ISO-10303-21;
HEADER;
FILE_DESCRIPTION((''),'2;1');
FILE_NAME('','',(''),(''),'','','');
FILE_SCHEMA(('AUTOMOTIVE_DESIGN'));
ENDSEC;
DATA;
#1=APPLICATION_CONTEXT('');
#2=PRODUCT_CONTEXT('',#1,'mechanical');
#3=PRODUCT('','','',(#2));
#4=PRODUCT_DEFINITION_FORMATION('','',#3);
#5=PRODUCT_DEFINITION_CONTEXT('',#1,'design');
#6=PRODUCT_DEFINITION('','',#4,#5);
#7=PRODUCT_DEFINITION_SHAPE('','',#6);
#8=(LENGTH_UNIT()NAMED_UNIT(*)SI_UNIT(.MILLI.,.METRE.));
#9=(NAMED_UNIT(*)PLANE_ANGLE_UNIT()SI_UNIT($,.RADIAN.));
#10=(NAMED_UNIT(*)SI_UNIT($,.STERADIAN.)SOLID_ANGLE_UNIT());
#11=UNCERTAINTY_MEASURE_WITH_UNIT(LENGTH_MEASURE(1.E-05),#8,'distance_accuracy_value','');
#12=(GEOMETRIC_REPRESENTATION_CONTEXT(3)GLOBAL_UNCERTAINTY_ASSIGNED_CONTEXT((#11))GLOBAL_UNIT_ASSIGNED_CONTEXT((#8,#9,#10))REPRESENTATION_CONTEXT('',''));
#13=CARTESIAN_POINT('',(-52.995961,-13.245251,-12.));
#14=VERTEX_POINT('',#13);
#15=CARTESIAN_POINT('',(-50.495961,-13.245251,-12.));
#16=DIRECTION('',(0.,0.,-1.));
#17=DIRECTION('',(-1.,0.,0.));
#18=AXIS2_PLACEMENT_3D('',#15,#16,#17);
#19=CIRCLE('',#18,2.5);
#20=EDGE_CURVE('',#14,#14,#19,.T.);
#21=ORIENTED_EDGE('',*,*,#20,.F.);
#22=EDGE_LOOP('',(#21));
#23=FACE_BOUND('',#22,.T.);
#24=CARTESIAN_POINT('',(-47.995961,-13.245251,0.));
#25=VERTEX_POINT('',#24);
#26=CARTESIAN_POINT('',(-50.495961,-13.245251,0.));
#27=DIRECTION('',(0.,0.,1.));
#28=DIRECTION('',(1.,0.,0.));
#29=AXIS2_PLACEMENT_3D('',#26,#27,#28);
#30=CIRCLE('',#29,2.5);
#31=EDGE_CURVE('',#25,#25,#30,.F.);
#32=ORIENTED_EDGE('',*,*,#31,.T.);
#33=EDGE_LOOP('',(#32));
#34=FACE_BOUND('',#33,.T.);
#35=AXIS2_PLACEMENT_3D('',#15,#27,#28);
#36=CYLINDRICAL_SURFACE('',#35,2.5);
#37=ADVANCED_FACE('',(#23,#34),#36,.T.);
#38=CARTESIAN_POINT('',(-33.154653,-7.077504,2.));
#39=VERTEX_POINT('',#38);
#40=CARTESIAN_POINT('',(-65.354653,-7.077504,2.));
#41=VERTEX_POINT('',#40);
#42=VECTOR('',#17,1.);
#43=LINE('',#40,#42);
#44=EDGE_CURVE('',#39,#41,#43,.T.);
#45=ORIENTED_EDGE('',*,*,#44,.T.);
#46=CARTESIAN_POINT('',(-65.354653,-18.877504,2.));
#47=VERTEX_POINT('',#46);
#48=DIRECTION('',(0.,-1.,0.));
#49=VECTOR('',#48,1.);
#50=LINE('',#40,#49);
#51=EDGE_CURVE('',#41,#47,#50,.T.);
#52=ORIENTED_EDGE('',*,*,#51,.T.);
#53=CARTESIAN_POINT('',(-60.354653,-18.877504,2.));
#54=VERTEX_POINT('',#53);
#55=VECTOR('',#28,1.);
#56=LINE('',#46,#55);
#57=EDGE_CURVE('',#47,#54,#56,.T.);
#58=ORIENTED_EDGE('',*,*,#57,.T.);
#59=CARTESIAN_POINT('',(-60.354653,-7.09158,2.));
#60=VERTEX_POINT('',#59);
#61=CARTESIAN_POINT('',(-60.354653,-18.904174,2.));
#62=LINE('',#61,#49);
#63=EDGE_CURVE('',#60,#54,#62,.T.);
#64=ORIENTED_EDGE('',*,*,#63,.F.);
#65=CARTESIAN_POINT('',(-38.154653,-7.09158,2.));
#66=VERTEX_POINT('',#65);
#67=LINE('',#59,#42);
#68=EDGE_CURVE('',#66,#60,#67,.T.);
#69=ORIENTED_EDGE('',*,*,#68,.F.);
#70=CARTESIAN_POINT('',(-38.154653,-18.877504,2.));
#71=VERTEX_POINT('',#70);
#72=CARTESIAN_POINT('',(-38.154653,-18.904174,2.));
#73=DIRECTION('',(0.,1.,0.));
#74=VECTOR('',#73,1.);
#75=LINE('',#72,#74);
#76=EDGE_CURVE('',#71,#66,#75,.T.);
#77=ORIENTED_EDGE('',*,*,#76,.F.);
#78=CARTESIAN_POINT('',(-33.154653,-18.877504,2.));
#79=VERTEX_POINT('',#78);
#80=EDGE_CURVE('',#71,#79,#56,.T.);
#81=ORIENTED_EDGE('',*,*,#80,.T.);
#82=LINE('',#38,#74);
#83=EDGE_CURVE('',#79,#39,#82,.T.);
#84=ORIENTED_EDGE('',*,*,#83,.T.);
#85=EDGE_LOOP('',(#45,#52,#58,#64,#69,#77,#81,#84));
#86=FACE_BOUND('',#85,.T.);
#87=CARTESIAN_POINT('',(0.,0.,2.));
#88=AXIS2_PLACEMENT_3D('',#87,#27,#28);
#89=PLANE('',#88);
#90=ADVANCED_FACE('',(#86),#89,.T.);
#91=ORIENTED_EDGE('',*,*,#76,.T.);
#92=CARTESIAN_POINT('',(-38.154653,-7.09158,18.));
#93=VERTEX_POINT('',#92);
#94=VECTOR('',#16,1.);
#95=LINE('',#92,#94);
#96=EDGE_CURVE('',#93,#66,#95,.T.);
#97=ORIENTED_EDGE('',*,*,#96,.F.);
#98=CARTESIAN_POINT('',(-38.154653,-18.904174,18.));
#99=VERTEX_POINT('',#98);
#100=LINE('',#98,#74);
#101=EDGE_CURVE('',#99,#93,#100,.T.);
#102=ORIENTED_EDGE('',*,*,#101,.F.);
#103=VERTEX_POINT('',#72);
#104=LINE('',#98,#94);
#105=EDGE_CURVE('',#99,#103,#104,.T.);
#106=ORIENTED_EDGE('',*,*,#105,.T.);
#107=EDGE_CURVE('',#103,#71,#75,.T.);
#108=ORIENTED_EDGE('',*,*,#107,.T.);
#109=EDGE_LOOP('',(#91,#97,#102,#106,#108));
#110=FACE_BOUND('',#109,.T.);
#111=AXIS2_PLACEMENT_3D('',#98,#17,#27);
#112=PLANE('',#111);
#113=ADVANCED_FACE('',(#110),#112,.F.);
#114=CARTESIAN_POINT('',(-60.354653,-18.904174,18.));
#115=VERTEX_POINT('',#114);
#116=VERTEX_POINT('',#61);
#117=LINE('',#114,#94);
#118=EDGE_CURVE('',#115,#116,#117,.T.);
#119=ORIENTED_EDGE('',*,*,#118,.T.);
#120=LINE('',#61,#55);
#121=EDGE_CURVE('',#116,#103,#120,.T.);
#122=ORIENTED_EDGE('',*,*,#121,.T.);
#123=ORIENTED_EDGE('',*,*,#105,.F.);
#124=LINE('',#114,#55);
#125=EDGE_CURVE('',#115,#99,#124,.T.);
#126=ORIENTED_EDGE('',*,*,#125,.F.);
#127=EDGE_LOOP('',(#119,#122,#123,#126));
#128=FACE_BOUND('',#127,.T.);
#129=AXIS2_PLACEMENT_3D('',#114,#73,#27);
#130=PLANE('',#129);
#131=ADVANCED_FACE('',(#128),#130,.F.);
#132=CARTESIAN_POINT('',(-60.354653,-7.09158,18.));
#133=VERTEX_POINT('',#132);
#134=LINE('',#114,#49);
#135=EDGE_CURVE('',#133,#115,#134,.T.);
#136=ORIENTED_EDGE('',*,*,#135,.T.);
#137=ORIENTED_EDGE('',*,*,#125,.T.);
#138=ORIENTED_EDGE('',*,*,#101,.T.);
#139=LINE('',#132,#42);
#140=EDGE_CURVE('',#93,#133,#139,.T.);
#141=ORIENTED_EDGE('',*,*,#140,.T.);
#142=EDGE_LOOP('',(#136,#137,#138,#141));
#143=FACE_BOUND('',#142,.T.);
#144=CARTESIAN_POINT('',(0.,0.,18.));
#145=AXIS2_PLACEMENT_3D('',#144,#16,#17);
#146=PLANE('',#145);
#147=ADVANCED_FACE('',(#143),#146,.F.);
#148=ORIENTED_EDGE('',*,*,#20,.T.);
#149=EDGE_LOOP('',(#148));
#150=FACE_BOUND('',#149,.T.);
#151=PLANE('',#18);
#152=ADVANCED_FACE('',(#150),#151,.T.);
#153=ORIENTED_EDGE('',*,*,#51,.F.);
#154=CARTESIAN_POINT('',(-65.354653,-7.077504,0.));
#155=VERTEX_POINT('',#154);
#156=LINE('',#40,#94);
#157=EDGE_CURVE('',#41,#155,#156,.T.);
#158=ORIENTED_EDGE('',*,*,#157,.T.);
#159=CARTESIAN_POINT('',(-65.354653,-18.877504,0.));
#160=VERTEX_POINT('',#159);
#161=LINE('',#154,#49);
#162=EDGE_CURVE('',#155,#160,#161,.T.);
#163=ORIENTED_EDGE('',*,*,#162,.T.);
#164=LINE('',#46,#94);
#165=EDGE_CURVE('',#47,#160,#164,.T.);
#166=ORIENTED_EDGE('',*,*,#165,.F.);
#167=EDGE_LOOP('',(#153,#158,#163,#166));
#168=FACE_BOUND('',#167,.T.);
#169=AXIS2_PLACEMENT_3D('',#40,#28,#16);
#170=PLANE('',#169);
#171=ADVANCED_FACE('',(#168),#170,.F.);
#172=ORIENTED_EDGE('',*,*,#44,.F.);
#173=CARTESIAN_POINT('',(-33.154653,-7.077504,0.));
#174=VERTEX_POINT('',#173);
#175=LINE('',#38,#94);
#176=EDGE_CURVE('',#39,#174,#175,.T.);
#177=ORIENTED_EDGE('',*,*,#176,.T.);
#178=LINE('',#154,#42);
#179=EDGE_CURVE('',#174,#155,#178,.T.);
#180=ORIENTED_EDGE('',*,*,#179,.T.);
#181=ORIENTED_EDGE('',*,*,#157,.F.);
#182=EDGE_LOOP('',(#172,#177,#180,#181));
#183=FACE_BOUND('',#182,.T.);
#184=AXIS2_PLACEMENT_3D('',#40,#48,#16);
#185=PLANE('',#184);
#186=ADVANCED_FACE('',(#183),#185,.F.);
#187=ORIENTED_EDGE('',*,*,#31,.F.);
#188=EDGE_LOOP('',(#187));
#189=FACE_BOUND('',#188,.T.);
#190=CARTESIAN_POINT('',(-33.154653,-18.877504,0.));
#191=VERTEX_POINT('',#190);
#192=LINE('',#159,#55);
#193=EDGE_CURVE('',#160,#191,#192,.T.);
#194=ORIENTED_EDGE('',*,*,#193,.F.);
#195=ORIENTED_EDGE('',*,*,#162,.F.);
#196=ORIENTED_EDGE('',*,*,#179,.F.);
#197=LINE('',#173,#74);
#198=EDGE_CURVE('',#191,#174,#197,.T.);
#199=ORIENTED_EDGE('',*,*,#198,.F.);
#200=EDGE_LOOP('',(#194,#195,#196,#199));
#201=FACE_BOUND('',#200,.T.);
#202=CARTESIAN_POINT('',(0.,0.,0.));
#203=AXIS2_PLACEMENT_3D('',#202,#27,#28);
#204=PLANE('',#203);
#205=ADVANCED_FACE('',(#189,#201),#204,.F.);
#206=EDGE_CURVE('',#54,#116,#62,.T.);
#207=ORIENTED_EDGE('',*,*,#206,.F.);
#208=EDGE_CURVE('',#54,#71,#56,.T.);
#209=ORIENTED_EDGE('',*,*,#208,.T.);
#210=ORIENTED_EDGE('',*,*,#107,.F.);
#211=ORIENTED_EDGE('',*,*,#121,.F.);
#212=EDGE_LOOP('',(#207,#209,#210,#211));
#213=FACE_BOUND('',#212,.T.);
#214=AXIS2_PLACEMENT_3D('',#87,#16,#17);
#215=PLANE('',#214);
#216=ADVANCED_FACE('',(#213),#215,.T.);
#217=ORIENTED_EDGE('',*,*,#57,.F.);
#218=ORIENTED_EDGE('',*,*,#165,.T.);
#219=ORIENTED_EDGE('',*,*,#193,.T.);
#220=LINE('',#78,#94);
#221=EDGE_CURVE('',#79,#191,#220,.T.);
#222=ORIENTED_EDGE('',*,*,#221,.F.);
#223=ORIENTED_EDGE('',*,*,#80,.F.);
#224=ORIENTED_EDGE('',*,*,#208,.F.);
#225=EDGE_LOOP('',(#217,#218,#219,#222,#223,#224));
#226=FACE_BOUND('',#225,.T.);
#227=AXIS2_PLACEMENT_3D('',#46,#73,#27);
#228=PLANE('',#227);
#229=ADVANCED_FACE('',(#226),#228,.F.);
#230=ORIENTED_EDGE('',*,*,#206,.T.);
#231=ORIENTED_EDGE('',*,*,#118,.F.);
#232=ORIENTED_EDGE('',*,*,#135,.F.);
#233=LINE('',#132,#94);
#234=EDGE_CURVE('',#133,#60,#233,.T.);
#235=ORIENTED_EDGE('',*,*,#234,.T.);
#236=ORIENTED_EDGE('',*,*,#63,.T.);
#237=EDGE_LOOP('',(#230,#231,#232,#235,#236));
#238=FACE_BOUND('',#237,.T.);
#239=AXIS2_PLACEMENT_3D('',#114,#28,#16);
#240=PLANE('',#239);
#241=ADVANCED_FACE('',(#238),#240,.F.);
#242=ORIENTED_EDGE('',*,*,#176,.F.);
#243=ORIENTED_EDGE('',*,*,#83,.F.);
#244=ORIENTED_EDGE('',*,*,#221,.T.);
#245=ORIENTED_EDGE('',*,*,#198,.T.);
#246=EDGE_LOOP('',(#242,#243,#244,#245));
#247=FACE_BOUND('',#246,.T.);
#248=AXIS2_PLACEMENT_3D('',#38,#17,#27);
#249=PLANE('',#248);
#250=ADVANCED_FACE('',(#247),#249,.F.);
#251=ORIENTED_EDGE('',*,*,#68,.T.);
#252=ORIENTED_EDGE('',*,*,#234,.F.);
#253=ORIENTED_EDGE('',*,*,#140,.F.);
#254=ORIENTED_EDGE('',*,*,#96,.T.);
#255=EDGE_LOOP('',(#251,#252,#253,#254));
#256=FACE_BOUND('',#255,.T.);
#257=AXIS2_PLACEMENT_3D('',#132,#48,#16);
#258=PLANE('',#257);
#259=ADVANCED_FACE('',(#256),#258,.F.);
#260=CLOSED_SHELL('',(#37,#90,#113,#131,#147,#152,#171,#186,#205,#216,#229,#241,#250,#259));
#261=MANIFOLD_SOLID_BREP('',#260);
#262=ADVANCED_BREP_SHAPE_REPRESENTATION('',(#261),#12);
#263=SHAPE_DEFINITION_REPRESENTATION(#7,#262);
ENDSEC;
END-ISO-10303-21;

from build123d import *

# Parameters (mm, degrees)
ESBO_O1_W                = 32.2
ESBO_O1_H                = 11.8
RESSALTO_EXTRUS_O1_DEPTH = 2
ESBO_O2_W                = 22.2
ESBO_O2_H                = 11.812594062
RESSALTO_EXTRUS_O2_DEPTH = 16
ESBO_O3_R                = 2.5
RESSALTO_EXTRUS_O3_DEPTH = 12


with BuildPart() as part:
    # Esboço1 → Ressalto-extrusão1 (new body)
    with BuildSketch(Plane.XY):
        with Locations((-49.254652801, -12.977504244)):
            Rectangle(ESBO_O1_W, ESBO_O1_H)
    extrude(amount=RESSALTO_EXTRUS_O1_DEPTH)

    # Esboço2 → Ressalto-extrusão2 (add)
    with BuildSketch(Plane.XY.offset(2)):
        with Locations((-49.254652801, -12.997877007)):
            Rectangle(ESBO_O2_W, ESBO_O2_H)
    extrude(amount=RESSALTO_EXTRUS_O2_DEPTH)

    # Esboço3 → Ressalto-extrusão3 (add)
    with BuildSketch(Plane(origin=(0, 0, 0), x_dir=(-1, 0, 0), z_dir=(0, 0, -1))):
        with Locations(Location((50.495961023, -13.245250528, 0), (0, 0, 180))):
            Circle(ESBO_O3_R)
    extrude(amount=RESSALTO_EXTRUS_O3_DEPTH)


solid = part.part
